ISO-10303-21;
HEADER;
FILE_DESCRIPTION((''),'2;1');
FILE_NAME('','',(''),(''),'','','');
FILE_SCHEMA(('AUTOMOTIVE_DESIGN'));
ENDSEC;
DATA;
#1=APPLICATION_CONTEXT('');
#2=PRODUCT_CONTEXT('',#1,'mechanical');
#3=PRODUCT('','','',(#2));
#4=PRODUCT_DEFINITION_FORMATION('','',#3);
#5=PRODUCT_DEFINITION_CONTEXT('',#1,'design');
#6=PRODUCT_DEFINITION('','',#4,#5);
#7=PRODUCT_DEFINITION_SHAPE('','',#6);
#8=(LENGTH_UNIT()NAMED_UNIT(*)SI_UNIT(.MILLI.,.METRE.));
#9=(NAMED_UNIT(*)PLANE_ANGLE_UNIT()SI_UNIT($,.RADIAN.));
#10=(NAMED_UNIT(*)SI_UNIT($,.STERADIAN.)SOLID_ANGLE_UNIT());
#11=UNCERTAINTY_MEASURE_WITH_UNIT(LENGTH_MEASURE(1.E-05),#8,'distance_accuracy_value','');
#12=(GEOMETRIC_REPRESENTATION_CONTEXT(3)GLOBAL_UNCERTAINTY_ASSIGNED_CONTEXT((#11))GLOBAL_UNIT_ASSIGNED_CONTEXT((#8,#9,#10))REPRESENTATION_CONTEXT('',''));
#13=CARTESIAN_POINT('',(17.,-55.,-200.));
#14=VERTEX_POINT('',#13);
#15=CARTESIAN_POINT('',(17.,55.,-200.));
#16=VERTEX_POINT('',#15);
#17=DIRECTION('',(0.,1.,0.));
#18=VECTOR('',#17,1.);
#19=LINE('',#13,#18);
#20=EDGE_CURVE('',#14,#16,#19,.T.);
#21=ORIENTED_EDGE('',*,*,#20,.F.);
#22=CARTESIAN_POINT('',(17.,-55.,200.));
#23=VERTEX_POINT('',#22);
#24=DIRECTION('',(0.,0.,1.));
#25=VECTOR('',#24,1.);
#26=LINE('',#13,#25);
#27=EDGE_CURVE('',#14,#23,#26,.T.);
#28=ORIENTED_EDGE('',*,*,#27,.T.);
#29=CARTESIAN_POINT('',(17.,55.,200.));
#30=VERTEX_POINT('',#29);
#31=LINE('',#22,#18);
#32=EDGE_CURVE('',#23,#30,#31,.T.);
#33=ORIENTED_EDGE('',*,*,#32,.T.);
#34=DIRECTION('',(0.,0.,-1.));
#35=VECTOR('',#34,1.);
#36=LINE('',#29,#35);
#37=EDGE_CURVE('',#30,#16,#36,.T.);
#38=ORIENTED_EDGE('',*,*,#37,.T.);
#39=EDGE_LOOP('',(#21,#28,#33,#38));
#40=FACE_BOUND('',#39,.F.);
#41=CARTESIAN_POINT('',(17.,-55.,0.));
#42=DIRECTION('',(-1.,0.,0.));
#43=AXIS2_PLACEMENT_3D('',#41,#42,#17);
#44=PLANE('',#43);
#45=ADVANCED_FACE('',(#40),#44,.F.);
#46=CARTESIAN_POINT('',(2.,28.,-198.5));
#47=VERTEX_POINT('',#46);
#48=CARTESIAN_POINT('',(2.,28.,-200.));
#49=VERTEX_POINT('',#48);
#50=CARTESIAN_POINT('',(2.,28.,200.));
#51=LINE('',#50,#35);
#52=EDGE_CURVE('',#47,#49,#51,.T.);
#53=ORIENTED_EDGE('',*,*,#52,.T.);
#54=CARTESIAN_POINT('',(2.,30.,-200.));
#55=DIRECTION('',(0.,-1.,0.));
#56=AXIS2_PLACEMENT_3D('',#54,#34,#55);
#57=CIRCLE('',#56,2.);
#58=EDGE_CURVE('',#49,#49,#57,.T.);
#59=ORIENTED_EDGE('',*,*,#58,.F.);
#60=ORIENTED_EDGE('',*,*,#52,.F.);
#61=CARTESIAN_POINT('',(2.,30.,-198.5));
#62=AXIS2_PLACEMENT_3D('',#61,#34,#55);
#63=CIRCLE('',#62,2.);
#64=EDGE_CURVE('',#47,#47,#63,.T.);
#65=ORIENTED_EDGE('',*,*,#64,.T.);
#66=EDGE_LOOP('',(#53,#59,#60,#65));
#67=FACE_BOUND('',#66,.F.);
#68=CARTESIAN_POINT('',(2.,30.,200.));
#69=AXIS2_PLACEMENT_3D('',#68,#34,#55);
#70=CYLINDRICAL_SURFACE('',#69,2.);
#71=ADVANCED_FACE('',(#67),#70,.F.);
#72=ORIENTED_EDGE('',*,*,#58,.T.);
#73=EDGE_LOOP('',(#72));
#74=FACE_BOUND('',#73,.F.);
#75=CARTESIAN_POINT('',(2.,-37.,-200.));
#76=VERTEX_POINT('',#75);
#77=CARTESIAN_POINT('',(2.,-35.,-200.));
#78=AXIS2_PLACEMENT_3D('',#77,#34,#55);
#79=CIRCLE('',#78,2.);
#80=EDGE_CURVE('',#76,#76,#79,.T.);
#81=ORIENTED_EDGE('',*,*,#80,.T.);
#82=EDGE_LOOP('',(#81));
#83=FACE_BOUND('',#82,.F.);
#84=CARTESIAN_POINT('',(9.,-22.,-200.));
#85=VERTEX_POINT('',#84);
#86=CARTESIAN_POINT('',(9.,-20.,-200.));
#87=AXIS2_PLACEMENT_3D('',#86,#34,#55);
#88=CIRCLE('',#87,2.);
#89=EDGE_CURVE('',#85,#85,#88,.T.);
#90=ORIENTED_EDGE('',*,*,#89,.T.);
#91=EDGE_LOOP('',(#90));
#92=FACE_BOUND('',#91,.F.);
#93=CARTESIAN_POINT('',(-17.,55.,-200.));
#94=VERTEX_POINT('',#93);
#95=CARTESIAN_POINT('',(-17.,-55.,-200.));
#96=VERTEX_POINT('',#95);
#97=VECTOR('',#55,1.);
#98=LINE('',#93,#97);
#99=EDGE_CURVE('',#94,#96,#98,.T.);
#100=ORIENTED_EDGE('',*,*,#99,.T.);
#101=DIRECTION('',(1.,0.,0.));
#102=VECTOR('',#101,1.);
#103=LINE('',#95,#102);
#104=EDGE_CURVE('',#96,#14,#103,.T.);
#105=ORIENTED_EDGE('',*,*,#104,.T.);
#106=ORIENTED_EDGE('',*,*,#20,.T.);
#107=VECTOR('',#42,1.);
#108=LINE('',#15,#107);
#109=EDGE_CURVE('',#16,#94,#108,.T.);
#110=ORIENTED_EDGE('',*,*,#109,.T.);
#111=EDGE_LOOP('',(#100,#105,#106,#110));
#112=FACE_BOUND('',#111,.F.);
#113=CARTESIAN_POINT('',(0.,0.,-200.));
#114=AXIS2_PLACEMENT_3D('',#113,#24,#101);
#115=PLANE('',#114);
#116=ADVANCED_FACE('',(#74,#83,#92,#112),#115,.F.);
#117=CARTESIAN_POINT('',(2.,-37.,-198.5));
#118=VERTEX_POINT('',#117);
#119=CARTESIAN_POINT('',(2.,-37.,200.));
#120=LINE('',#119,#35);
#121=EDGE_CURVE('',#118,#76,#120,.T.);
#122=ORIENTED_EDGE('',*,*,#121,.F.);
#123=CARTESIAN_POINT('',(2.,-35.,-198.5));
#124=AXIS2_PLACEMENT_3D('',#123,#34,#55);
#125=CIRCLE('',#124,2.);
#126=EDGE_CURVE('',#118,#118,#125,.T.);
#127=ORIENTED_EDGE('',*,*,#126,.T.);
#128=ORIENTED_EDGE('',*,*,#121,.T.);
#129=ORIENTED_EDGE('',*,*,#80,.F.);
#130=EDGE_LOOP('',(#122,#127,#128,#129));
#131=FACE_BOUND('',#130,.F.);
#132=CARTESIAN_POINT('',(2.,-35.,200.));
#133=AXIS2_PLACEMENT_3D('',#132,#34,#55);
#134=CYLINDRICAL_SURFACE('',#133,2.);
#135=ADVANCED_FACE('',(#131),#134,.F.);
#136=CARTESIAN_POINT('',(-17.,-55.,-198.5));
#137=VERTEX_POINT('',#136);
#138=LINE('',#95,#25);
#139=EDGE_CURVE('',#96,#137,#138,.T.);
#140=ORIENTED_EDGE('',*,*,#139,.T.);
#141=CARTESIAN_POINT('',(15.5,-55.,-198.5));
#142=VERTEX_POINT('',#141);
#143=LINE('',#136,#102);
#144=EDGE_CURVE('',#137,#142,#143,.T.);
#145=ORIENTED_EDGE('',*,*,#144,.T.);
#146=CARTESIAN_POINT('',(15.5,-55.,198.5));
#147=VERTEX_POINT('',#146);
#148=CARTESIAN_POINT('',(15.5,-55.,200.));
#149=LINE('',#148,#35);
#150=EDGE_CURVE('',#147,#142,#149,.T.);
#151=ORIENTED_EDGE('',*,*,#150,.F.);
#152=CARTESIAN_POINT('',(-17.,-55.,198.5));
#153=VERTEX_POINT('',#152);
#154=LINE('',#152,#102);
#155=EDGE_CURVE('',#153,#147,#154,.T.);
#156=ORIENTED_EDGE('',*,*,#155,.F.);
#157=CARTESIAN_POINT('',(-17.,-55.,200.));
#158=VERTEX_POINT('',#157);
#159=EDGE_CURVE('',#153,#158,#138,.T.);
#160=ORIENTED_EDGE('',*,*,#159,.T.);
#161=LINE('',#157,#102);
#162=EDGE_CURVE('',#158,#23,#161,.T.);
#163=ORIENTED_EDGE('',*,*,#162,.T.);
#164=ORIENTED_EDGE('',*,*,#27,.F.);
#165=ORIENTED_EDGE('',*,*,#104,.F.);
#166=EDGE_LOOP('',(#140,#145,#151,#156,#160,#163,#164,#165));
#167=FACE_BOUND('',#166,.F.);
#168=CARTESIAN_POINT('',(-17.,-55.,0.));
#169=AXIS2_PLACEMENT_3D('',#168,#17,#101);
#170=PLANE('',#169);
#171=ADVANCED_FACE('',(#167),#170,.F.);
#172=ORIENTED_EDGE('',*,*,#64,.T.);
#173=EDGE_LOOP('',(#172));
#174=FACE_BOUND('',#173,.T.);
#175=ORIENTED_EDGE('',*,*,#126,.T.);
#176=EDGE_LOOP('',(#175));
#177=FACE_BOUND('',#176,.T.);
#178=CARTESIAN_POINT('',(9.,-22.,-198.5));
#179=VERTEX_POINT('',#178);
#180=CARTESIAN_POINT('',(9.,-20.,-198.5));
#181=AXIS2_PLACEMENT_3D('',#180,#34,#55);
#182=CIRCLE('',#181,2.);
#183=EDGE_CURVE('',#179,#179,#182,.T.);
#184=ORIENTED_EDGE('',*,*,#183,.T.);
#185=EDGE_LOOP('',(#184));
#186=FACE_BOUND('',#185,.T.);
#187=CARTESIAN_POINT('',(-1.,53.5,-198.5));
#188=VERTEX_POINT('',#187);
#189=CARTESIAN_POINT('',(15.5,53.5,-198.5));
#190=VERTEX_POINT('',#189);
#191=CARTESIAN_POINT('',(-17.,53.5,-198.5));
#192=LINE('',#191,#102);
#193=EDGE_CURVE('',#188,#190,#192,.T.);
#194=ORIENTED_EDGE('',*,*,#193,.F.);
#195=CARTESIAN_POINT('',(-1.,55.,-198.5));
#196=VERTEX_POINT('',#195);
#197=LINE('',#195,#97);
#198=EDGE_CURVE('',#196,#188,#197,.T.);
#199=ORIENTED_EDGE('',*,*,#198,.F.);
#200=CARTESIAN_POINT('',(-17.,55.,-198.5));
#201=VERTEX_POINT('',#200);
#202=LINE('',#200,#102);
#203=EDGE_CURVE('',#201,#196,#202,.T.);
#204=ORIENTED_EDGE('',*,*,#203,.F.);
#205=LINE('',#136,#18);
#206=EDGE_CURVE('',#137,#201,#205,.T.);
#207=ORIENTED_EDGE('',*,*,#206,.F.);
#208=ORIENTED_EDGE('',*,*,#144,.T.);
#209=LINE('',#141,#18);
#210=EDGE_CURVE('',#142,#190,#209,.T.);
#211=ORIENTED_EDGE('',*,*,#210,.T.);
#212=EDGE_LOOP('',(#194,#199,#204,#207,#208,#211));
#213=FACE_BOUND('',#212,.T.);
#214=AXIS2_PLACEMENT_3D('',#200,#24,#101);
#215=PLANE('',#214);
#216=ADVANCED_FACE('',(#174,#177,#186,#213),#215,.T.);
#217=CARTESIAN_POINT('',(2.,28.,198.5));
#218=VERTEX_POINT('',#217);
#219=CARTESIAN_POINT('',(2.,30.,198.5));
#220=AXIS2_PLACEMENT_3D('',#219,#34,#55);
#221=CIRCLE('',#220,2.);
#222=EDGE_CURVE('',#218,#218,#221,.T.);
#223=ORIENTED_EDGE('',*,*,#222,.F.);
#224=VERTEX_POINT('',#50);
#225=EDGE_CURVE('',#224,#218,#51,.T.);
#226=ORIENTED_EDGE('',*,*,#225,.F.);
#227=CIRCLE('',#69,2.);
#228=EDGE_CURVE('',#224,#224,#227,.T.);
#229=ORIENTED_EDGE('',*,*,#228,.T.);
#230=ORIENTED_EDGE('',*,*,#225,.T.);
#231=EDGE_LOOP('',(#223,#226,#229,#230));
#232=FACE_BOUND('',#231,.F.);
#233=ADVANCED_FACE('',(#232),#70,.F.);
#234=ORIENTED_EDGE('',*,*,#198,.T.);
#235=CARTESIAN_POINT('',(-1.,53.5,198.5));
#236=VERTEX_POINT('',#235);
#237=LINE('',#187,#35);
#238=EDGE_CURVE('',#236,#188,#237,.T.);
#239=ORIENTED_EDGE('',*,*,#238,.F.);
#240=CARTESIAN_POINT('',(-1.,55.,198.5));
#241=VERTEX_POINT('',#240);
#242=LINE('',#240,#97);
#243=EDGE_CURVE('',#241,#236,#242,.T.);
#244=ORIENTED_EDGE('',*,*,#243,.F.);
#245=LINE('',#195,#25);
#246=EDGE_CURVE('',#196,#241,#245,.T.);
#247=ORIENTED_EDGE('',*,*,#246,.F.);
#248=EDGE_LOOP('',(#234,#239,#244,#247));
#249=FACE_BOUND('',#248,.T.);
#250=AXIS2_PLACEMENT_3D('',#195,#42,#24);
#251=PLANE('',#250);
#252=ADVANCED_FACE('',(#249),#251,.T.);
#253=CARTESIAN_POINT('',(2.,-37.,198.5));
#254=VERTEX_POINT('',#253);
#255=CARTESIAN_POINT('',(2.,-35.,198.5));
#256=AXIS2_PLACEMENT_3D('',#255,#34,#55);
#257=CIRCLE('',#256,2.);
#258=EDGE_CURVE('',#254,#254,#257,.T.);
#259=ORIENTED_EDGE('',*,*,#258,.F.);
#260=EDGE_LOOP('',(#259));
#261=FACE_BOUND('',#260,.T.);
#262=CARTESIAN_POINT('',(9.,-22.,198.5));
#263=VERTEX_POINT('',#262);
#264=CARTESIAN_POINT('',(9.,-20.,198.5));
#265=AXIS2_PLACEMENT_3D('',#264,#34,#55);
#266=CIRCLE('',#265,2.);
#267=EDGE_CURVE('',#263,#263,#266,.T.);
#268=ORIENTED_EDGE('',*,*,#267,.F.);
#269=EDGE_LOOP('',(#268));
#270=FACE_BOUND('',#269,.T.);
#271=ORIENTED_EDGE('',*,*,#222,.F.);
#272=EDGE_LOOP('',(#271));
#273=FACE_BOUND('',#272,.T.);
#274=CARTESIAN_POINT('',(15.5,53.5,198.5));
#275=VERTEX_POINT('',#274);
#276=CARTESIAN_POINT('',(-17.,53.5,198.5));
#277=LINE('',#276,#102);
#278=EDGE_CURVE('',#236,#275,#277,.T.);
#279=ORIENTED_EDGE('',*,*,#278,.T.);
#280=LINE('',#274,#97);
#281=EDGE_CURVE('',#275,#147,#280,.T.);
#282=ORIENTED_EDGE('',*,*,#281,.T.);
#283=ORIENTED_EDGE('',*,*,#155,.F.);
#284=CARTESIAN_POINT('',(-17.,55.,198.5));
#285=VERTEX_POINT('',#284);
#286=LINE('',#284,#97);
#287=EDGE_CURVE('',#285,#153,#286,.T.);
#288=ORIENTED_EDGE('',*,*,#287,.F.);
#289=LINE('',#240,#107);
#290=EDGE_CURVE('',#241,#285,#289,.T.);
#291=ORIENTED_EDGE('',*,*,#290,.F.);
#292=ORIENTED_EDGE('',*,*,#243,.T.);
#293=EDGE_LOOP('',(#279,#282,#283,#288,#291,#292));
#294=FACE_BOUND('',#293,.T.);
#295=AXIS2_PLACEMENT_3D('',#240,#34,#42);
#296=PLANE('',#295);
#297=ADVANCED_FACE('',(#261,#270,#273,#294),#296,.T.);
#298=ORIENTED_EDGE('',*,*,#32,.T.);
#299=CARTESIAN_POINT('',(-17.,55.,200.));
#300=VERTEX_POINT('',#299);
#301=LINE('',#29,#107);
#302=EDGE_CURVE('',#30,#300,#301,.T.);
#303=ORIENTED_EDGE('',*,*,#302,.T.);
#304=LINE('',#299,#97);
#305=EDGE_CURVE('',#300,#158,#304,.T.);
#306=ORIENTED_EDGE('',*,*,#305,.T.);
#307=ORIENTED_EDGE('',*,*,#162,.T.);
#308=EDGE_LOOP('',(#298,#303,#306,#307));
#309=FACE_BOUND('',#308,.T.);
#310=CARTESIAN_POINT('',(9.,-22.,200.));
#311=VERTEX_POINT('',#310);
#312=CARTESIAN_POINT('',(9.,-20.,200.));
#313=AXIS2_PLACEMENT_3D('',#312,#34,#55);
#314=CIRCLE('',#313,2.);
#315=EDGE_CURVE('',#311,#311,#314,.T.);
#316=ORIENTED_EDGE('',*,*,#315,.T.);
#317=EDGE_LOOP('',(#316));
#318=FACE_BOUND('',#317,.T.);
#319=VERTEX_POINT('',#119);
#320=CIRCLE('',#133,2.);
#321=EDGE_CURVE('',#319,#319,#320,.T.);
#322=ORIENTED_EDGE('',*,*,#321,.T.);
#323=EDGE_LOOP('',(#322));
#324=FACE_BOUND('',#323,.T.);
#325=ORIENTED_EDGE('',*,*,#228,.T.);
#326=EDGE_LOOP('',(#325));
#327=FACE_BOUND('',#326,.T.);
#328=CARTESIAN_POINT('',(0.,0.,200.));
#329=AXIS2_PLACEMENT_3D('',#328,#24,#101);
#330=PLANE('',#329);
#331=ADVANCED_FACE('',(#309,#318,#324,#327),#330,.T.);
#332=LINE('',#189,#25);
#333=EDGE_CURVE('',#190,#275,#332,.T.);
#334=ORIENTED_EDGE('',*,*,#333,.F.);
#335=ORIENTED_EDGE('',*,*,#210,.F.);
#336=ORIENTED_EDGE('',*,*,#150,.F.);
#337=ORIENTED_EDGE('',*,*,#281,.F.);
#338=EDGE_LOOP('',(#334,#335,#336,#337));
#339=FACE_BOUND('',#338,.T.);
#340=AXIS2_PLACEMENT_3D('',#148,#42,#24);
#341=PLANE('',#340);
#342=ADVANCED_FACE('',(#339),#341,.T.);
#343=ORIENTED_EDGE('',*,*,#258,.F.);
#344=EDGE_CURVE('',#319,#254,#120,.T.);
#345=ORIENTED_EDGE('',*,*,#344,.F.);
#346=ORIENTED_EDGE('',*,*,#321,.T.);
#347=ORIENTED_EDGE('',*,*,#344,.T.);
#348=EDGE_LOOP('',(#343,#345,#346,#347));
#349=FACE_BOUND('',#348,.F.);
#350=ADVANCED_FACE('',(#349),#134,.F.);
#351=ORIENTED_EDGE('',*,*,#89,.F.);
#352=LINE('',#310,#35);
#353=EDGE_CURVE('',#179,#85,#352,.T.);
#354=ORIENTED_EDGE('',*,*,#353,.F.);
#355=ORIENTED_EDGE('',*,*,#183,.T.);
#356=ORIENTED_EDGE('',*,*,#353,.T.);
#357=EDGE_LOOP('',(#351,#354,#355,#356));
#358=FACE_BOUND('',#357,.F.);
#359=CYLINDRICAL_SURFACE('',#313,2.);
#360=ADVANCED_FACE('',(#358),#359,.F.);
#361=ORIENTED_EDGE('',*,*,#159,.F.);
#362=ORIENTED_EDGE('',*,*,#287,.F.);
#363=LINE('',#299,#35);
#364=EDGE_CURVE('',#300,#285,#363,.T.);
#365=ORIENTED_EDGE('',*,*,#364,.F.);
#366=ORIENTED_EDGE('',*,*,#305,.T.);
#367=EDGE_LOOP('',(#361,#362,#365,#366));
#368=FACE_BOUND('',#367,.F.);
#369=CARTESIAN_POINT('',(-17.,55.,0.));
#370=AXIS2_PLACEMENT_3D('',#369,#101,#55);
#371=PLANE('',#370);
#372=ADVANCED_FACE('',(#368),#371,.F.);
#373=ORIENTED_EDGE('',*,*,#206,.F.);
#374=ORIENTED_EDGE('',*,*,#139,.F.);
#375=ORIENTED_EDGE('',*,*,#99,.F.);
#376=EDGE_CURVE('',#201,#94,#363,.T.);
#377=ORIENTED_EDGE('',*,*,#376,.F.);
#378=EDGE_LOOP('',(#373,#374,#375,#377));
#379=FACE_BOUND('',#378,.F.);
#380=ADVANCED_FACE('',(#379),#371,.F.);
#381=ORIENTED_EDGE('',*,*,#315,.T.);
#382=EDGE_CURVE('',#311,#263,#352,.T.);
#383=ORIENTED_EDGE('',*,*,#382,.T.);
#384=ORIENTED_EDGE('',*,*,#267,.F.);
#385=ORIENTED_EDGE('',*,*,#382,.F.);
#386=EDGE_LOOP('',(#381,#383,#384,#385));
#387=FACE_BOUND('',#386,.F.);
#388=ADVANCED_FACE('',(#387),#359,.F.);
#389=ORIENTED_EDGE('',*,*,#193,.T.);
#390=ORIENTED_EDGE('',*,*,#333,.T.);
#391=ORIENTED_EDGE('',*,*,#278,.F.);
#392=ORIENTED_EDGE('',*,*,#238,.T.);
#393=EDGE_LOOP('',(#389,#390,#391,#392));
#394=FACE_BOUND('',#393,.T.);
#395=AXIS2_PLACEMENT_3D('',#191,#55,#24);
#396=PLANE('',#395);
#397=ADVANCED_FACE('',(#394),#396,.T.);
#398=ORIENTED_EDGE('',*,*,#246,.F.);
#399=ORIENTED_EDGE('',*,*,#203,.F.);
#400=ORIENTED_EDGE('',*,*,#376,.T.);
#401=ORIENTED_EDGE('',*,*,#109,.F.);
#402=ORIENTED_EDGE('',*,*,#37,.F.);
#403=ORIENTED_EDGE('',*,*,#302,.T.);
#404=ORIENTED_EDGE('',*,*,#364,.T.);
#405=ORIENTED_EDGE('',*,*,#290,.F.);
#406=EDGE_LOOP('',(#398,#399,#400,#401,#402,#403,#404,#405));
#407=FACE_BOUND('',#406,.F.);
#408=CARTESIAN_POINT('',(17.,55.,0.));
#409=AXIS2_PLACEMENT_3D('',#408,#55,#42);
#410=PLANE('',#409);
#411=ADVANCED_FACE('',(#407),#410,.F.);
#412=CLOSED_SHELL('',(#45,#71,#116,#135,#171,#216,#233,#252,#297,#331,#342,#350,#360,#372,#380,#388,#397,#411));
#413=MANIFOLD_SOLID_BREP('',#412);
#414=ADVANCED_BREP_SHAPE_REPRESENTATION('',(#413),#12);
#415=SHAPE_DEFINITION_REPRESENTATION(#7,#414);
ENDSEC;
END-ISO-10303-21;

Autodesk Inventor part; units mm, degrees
ref_plane "YZ Plane" through (0, 0, 0) normal (1, 0, 0) x (0, 1, 0)
ref_plane "XZ Plane" through (0, 0, 0) normal (0, 1, 0) x (-1, 0, 0)
ref_plane "XY Plane" through (0, 0, 0) normal (0, 0, 1) x (1, 0, 0)
sketch "Skizze1" plane through (0, 0, 0) normal (0, 0, 1) x (1, 0, 0)
  line L0 (-17, -55) -> (17, -55)
  line L1 (17, -55) -> (17, 55)
  line L2 (17, 55) -> (-17, 55)
  line L3 (-17, 55) -> (-17, -55)
  line L4 (-17, 55) -> (17, -55) construction
  line L5 (-17, -55) -> (17, 55) construction
  point P0 (0, 0)
  point P1 (0, 0)
  dimension "d0" = 34
  dimension "d2" = 110
extrude "Extrusion1" add sketch "Skizze1" along normal mid plane 400
sketch "Skizze2" plane through (0, 0, 200) normal (0, 0, 1) x (1, 0, 0)
  line L0 (-17, -55) -> (17, -55) projected
  line L1 (17, -55) -> (17, 55) projected
  line L2 (17, 55) -> (-17, 55) projected
  point P0 (0, 0)
  point P1 (2, 30)
  point P2 (9, -20)
  point P3 (2, -35)
  dimension "d5" = 25
  dimension "d6" = 15
  dimension "d30" = 50
  dimension "d31" = 8
  dimension "d32" = 7
  dimension "d33" = 35
  dimension "d40" = 20
  dimension "d41" = 15
hole "Bohrung1" at (2, 30, 200) at (9, -20, 200) at (2, -35, 200) direction (0, 0, -1) diameter 4 end through all
sketch "Skizze4" plane through (-17, -55, 200) normal (-1, 0, 0) x (0, 0, 1)
  line L0 (0, 0) -> (-400, 0) projected
  line L1 (0, 110) -> (0, 0) projected
  line L2 (-400, 110) -> (0, 110) projected
  line L3 (-400, 0) -> (-400, 110) projected
  line L4 (-398.5, 108.5) -> (-1.5, 108.5)
  line L5 (-1.5, 108.5) -> (-1.5, 0)
  line L6 (-1.5, 0) -> (-398.5, 0)
  line L7 (-398.5, 0) -> (-398.5, 108.5)
  point P0 (-200, 55)
  dimension "d34" = 1.5
  dimension "d35" = 0
  dimension "d36" = 1.5
  dimension "d37" = 1.5
extrude "Extrusion2" cut sketch "Skizze4" against normal blind 32.5 contours L0 L7 L4 L5
sketch "Skizze5" plane through (-17, 55, 200) normal (0, 1, 0) x (1, 0, 0)
  line L0 (34, 0) -> (0, 0) projected
  line L1 (34, 400) -> (34, 0) projected
  line L2 (0, 400) -> (34, 400) projected
  line L3 (0, 398.5) -> (16, 398.5)
  line L4 (16, 398.5) -> (16, 1.5)
  line L5 (16, 1.5) -> (0, 1.5)
  line L6 (0, 1.5) -> (0, 398.5)
  point P0 (17, 200)
  dimension "d42" = 1.5
  dimension "d43" = 1.5
  dimension "d44" = 18
extrude "Extrusion3" cut sketch "Skizze5" against normal blind 32.5
properties part number "bewegliche achse horizontal" material "Stahl"
